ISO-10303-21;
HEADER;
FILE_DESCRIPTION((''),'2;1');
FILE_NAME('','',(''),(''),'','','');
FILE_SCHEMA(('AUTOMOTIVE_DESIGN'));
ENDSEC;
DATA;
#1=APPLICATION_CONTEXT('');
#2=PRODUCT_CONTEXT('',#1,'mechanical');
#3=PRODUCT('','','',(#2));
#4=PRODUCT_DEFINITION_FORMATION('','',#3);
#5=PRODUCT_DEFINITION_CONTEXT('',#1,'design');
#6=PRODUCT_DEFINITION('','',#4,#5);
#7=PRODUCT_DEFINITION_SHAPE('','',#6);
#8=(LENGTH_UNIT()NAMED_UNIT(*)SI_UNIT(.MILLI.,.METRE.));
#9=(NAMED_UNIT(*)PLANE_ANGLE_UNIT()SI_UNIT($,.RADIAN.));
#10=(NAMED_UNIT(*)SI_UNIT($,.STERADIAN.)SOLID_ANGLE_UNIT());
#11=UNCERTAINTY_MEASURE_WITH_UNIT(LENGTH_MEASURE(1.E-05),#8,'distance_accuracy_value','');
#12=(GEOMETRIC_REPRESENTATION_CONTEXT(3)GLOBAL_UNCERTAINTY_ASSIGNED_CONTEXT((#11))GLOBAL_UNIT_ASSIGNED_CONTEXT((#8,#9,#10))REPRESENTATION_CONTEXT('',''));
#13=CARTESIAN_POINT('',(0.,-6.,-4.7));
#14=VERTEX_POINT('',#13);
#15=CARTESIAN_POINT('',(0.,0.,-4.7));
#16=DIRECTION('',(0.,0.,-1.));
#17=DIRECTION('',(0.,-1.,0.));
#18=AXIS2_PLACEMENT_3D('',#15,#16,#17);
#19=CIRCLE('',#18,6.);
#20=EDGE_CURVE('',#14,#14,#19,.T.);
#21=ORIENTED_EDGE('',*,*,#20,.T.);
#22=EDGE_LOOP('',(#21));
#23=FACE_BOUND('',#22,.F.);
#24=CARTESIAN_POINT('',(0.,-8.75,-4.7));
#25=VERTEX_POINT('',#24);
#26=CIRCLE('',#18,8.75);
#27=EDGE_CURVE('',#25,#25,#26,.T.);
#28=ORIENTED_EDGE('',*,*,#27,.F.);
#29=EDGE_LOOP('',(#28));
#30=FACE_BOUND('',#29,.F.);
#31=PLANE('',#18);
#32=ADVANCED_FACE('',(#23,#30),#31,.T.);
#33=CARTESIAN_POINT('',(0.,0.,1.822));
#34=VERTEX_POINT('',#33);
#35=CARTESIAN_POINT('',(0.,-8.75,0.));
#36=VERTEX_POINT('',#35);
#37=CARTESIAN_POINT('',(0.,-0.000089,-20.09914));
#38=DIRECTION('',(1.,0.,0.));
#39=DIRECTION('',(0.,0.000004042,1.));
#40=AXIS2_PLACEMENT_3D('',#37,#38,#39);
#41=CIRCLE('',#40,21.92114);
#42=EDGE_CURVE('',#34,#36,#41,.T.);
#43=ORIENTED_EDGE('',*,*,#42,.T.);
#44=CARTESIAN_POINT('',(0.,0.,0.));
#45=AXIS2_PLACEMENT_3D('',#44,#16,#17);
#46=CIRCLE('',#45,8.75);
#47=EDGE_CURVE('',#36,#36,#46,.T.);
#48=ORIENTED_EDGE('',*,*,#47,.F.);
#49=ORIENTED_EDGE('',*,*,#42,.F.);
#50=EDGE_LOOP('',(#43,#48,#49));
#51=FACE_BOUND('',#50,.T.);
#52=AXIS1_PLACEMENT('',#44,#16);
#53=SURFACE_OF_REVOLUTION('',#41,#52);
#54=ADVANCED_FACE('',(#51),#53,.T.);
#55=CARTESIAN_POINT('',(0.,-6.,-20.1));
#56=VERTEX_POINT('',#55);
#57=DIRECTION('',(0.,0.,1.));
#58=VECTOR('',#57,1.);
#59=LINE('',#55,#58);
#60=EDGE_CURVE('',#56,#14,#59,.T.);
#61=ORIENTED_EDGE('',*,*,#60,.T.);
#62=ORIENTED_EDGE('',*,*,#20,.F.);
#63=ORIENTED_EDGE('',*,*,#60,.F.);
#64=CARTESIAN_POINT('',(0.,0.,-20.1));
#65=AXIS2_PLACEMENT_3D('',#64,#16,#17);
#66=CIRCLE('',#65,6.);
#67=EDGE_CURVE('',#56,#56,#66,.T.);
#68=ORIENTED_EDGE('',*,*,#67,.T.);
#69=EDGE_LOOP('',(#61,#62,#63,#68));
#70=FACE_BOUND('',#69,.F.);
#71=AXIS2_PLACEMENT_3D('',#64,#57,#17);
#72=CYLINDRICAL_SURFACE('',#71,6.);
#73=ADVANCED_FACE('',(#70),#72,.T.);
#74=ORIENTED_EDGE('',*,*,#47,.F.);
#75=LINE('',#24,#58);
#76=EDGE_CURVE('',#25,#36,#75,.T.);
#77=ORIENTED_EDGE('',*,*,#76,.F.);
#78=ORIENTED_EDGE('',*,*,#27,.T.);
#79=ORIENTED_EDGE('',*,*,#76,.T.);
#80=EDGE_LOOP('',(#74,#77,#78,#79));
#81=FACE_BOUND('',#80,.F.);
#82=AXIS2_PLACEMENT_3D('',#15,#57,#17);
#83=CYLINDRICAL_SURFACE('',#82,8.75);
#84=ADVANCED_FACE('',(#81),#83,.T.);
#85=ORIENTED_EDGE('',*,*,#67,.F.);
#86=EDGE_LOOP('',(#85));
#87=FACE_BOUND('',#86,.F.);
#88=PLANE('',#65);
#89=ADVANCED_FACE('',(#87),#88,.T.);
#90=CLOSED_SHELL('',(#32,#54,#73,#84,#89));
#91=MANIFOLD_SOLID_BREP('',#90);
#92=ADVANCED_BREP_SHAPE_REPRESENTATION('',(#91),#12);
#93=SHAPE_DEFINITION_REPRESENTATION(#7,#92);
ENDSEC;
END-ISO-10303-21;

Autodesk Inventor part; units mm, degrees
ref_plane "YZ Plane" through (0, 0, 0) normal (1, 0, 0) x (0, 1, 0)
ref_plane "XZ Plane" through (0, 0, 0) normal (0, 1, 0) x (-1, 0, 0)
ref_plane "XY Plane" through (0, 0, 0) normal (0, 0, 1) x (1, 0, 0)
sketch "Sketch1" plane through (0, 0, 0) normal (1, 0, 0) x (0, 1, 0)
  line L0 (0, 0) -> (0, -20.1)
  line L1 (0, -20.1) -> (-6, -20.1)
  line L2 (-6, -20.1) -> (-6, -4.7)
  line L3 (-6, -4.7) -> (-8.75, -4.7)
  line L4 (-8.75, -4.7) -> (-8.75, 0)
  arc A0 (0, 1.822) -> (-8.75, 0) centre (0, -20.1) ccw
  line L5 (0, 1.822) -> (0, 0)
  dimension "d0" = 20.1
  dimension "d1" = 6
  dimension "d2" = 15.4
  dimension "d3" = 8.75
  dimension "d4" = 0
revolve "Revolution1" add sketch "Sketch1" angle 360 about axis through (0, 0, 0) along (0, 0, -1)
properties part number "100_CCTV_Fisheye_Starlight_f2.8mm_Fno_1.4"
